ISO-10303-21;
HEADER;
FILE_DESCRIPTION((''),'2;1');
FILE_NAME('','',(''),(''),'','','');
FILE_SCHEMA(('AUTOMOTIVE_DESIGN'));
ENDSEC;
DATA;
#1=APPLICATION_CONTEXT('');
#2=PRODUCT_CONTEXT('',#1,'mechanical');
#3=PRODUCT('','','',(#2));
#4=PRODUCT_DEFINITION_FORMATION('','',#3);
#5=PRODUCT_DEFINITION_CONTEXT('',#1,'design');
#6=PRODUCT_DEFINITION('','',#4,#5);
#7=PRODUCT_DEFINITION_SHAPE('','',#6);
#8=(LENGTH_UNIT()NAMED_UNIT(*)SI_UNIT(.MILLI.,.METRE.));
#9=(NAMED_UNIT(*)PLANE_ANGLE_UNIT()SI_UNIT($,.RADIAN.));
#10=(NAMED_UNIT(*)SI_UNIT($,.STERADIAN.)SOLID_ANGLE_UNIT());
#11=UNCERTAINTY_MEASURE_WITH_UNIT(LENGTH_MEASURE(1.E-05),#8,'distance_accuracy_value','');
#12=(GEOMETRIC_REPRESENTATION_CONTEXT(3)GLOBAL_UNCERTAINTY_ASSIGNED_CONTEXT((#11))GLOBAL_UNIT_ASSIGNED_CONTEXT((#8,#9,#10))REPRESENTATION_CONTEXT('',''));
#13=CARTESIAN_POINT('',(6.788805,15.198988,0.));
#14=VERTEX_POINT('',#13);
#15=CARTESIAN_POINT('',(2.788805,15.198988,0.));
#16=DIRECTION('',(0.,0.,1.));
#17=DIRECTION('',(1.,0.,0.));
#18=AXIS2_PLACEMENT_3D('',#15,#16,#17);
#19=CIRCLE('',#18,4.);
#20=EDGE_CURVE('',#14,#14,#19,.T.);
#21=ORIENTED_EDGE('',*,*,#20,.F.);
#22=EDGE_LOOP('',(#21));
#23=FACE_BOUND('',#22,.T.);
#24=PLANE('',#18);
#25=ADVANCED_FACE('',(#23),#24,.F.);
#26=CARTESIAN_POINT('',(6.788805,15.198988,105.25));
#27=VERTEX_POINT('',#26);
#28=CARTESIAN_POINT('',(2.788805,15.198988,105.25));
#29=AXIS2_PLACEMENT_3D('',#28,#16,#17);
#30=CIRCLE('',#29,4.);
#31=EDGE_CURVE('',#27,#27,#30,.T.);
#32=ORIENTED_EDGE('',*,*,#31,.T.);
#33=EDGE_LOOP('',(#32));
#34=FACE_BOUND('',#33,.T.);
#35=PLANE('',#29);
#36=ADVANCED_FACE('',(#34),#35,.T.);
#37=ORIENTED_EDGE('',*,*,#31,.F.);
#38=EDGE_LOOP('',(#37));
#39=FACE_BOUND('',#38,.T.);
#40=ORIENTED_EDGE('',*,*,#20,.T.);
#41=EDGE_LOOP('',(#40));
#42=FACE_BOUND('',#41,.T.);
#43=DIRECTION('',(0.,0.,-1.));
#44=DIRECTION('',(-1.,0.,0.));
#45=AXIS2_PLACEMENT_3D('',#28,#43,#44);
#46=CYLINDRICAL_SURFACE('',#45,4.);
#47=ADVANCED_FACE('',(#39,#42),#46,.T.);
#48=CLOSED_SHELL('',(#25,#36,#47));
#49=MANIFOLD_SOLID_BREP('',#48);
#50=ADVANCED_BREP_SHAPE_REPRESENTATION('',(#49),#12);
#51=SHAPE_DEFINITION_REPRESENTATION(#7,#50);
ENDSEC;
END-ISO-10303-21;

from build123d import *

# Parameters (mm, degrees)
SKETCH_1_R      = 4
EXTRUDE_1_DEPTH = 105.25


with BuildPart() as part:
    # 草图1 → 凸台-拉伸1 (new body)
    with BuildSketch(Plane.XY):
        with Locations((2.788805167, 15.198988159)):
            Circle(SKETCH_1_R)
    extrude(amount=EXTRUDE_1_DEPTH)


solid = part.part
